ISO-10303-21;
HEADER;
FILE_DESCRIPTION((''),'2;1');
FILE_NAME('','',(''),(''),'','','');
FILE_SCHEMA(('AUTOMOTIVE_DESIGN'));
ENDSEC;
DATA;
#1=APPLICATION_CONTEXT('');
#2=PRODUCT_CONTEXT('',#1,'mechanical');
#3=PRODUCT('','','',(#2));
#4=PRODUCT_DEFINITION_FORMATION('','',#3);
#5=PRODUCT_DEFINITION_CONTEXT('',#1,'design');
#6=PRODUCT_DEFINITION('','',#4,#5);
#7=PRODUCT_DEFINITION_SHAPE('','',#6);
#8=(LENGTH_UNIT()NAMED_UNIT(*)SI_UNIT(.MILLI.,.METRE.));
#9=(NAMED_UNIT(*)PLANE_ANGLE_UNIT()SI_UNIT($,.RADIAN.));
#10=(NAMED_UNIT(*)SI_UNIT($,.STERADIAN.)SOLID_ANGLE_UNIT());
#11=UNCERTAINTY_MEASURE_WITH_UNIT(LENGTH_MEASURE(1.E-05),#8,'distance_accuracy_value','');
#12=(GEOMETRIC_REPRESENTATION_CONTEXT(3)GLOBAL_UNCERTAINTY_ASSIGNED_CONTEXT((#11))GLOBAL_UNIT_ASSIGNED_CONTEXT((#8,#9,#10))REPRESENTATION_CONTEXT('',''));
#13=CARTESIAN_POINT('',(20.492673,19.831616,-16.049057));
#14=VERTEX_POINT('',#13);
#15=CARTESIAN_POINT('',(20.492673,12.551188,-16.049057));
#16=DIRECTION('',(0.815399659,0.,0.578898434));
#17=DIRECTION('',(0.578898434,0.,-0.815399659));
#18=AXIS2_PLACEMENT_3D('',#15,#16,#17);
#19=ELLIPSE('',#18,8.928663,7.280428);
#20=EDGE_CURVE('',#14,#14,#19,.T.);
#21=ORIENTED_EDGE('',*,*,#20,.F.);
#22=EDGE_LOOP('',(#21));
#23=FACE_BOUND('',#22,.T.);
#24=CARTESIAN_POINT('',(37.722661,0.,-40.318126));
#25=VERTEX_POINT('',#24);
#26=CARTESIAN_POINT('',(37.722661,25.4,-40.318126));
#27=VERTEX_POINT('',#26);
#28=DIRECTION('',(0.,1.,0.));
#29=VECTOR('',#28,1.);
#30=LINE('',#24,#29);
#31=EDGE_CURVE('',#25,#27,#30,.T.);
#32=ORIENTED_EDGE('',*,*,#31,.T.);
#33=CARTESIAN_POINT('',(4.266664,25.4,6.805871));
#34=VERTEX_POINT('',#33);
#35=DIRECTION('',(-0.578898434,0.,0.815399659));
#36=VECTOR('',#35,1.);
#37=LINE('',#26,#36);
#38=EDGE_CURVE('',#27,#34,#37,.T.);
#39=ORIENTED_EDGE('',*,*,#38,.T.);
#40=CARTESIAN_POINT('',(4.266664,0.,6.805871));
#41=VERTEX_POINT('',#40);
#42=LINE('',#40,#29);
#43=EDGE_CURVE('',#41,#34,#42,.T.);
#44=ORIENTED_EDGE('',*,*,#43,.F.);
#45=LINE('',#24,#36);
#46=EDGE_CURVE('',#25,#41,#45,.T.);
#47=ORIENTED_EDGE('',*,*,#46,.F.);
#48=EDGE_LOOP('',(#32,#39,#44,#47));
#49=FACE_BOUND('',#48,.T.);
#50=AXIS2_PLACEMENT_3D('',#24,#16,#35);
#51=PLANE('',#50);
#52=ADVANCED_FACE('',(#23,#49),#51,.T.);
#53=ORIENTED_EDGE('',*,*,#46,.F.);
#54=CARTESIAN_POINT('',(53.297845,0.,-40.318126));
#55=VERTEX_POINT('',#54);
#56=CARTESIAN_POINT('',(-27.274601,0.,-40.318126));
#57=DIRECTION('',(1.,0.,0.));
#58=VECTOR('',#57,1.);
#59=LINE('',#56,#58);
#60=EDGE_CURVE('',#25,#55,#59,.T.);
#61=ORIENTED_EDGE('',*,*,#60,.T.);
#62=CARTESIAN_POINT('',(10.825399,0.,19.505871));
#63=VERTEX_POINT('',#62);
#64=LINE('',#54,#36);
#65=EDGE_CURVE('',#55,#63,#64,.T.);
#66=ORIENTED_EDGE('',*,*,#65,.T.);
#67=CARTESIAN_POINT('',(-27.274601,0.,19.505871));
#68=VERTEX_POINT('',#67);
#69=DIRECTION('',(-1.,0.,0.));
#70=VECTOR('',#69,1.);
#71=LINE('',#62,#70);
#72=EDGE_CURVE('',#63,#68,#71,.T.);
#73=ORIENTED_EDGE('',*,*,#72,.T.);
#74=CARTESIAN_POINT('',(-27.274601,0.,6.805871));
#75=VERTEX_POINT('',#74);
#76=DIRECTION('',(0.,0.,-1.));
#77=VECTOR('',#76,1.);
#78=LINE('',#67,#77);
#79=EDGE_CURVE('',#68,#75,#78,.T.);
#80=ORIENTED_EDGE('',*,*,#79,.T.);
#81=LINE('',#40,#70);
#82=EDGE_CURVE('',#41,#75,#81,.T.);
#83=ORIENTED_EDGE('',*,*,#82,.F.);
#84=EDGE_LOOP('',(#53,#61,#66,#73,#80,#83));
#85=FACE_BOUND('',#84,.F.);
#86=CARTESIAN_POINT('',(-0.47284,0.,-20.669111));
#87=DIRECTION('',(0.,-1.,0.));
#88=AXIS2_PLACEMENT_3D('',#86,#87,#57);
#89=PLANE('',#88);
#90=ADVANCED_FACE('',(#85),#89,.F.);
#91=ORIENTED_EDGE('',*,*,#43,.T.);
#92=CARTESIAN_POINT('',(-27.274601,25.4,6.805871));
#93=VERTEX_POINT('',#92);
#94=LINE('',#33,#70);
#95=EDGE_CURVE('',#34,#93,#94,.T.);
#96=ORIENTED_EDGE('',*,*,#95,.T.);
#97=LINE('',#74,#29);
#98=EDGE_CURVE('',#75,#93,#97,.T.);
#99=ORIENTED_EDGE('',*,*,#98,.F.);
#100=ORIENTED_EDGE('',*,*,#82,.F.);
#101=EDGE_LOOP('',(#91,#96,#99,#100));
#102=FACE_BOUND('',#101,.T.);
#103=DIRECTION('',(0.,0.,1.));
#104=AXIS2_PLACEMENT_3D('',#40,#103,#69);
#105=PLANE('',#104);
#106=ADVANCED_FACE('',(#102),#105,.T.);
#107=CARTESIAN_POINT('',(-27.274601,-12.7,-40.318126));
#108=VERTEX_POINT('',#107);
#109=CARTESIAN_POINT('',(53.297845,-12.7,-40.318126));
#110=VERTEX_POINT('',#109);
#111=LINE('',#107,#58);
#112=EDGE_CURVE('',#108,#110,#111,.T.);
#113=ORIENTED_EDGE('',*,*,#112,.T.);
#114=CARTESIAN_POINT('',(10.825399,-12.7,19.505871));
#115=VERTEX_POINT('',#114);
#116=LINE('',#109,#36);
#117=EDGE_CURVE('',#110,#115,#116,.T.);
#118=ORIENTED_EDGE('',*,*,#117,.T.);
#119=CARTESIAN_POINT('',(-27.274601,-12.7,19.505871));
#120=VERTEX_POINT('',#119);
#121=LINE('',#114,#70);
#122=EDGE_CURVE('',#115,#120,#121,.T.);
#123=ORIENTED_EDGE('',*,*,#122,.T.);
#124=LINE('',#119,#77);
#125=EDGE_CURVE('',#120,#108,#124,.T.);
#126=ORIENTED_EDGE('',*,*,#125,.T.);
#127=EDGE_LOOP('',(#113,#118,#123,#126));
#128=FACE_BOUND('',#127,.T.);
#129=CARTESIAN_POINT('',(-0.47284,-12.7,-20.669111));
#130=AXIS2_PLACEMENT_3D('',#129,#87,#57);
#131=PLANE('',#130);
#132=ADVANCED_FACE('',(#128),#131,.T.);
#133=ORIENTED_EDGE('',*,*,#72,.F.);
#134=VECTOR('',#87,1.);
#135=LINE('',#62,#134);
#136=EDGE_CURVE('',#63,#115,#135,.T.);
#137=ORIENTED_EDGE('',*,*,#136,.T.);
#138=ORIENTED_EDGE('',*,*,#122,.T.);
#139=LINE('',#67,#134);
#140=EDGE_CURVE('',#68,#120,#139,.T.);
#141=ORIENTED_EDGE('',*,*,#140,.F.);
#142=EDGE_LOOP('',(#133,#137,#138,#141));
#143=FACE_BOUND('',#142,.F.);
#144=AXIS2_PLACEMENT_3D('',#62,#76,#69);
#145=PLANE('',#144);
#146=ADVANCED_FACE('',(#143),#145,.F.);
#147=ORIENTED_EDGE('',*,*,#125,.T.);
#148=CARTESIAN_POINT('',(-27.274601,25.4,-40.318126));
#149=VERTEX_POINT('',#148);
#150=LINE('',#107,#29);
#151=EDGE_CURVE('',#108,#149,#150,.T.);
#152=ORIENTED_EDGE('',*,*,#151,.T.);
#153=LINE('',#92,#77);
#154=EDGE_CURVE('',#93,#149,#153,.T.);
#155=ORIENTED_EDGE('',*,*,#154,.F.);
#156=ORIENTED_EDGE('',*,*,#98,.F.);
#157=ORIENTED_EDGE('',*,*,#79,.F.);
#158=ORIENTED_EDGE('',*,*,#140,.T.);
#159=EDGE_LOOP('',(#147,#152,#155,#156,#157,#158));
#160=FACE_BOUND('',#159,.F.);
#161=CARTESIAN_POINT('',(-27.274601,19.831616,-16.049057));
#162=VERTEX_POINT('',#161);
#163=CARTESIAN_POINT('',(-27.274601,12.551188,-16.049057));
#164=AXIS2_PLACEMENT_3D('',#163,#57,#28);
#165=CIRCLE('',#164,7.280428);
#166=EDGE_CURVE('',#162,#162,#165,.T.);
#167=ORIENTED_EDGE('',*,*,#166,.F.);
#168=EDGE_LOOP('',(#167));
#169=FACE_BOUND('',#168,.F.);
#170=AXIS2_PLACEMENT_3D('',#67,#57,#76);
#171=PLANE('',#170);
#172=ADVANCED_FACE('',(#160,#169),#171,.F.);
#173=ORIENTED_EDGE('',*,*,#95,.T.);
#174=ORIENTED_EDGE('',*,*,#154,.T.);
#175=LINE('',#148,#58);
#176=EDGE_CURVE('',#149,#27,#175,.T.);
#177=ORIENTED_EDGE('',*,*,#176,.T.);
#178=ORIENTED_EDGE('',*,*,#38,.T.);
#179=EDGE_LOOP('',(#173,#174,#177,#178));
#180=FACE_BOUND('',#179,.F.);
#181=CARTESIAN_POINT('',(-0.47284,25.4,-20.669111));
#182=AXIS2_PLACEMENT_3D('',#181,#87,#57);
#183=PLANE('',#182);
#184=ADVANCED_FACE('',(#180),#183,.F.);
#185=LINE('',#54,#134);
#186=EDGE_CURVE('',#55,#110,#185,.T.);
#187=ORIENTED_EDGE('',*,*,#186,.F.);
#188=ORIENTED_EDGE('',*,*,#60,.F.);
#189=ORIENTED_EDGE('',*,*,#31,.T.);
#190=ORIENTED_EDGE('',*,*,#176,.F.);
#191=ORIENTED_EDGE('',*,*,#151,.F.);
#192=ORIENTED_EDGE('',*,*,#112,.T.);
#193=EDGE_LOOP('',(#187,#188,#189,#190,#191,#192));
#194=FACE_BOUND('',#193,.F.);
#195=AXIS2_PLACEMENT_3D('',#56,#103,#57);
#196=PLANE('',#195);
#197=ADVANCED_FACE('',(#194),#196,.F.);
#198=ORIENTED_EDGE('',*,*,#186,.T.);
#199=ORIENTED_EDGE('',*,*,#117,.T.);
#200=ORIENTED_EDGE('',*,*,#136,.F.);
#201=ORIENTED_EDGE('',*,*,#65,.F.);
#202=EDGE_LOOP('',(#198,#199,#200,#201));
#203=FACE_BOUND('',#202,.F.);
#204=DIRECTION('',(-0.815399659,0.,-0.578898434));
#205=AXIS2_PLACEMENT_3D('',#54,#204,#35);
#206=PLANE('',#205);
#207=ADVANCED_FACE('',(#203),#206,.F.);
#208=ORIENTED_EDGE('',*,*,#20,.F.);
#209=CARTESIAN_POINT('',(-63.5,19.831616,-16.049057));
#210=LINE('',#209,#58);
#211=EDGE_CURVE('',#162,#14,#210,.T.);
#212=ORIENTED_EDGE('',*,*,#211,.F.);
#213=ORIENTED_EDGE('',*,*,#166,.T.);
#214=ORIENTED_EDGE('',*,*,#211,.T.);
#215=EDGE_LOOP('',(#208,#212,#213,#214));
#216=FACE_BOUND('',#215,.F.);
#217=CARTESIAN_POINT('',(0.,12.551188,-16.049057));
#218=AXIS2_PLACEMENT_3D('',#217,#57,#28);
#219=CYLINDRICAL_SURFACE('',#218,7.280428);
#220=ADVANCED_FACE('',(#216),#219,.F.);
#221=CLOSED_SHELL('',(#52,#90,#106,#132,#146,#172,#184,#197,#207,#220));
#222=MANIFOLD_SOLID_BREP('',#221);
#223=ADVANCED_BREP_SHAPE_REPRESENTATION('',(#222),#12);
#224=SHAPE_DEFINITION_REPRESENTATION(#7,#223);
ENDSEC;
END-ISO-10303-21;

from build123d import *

# Parameters (mm, degrees)
F1_DEPTH = 25.4
F2_DEPTH = 12.7
F3_R     = 7.2804284813
F4_DEPTH = 63.5


with BuildPart() as f1:
    # F0 (on Front) → F1 (new body)
    with BuildSketch(Plane.XZ):
        Polygon((-27.2746011741, 6.805870682), (-27.2746011741, -40.3181260384), (37.7226605214, -40.3181260384), (4.2666643036, 6.805870682), align=None)
    extrude(amount=-F1_DEPTH)

    # F0 (on Front) → F2 (join)
    with BuildSketch(Plane.XZ):
        Polygon((-27.2746011741, 6.805870682), (-27.2746011741, -40.3181260384), (37.7226605214, -40.3181260384), (4.2666643036, 6.805870682), align=None)
        Polygon((4.2666643036, 6.805870682), (37.7226605214, -40.3181260384), (53.2978448683, -40.3181260384), (10.8253988259, 19.505870682), (-27.2746011741, 19.505870682), (-27.2746011741, 6.805870682), align=None)
    extrude(amount=F2_DEPTH)

    # F3 (on Right) → F4 (cut, symmetric)
    with BuildSketch(Plane.YZ):
        with Locations((12.5511875376, -16.0490572453)):
            Circle(F3_R)
    extrude(amount=F4_DEPTH, both=True, mode=Mode.SUBTRACT)


solid = f1.part
